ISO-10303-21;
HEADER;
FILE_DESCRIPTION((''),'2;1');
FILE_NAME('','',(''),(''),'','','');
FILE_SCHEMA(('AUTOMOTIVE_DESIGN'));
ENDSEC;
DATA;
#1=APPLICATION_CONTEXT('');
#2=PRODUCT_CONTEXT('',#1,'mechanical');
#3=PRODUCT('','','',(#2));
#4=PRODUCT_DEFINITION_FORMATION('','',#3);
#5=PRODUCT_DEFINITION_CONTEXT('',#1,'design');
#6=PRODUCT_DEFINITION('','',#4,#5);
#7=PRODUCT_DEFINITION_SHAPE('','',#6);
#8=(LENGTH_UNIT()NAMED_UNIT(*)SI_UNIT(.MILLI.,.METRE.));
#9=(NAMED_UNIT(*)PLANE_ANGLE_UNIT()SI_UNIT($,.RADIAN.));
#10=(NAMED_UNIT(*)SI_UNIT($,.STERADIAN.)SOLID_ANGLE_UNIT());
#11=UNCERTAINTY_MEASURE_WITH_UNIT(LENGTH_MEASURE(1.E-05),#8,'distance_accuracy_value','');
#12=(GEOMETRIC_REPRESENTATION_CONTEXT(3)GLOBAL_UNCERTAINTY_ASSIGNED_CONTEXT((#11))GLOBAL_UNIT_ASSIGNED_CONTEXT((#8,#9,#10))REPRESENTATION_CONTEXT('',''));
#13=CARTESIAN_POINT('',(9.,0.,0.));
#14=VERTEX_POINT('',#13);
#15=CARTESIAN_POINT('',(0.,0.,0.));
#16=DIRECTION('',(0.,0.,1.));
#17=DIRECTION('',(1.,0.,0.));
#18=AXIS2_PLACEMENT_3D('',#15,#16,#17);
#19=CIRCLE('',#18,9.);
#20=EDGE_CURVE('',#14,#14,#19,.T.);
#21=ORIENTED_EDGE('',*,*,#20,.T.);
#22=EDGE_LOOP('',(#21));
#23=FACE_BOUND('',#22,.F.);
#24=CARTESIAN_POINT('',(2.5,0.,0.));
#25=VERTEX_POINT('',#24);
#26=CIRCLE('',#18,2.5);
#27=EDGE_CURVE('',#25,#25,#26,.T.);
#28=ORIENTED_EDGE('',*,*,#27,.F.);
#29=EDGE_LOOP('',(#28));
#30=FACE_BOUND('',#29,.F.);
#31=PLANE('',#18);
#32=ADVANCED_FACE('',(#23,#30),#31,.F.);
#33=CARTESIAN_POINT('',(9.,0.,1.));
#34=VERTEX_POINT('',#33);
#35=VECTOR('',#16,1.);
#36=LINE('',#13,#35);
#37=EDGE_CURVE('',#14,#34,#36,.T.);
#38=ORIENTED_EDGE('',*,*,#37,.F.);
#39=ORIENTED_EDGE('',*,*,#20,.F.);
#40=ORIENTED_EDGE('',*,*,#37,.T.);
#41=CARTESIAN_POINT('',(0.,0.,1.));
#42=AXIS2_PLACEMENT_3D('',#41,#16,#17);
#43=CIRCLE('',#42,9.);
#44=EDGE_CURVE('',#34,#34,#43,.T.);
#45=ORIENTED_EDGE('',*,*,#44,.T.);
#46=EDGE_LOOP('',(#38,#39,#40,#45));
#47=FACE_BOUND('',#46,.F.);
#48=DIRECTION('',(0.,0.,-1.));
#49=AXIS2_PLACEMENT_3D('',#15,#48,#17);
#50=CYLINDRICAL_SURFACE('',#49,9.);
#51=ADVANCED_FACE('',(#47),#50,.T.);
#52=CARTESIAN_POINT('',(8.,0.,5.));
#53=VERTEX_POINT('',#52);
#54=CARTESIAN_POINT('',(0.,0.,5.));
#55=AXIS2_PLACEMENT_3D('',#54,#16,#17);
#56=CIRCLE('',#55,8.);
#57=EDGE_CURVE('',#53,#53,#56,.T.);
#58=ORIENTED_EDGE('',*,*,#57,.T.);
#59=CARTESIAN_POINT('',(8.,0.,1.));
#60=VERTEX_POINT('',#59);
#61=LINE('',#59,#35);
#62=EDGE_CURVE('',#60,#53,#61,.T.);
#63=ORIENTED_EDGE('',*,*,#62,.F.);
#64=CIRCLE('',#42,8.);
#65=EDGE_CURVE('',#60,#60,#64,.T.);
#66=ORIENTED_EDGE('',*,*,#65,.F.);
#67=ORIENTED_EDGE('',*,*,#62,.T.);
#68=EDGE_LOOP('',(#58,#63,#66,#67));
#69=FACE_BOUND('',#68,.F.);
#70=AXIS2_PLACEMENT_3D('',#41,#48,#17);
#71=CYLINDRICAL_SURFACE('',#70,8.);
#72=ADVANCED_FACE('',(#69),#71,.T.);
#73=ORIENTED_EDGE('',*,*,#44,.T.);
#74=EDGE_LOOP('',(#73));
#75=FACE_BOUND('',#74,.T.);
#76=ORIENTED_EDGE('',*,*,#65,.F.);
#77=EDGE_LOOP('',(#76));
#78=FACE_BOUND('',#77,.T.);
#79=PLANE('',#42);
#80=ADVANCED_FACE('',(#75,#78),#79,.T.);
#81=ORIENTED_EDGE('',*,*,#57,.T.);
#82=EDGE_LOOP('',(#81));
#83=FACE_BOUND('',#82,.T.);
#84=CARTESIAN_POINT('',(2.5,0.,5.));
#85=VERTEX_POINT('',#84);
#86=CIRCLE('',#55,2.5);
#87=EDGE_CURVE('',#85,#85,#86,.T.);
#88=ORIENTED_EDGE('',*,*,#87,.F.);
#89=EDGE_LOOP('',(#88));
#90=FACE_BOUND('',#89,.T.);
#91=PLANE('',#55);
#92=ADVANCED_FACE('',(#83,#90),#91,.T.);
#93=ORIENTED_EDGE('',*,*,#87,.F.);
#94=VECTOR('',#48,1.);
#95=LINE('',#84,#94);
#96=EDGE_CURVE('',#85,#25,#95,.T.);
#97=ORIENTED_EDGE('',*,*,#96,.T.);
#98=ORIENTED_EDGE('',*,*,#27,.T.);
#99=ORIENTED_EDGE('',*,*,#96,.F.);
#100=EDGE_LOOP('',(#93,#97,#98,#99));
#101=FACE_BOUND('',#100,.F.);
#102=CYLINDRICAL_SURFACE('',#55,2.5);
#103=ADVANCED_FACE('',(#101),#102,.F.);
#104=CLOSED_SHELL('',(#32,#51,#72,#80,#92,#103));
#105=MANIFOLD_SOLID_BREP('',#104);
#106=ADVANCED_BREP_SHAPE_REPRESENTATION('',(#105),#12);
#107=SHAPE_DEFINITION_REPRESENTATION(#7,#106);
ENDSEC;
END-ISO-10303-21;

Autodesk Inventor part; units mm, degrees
ref_plane "YZ Plane" through (0, 0, 0) normal (1, 0, 0) x (0, 1, 0)
ref_plane "XZ Plane" through (0, 0, 0) normal (0, 1, 0) x (-1, 0, 0)
ref_plane "XY Plane" through (0, 0, 0) normal (0, 0, 1) x (1, 0, 0)
sketch "Sketch1" plane through (0, 0, 0) normal (0, 0, 1) x (1, 0, 0)
  circle A0 centre (0, 0) radius 9
  dimension "d0" = 18
extrude "Extrusion1" add sketch "Sketch1" along normal blind 1
sketch "Sketch2" plane through (0, 0, 1) normal (0, 0, 1) x (1, 0, 0)
  circle A0 centre (0, 0) radius 9 projected
  circle A1 centre (0, 0) radius 8
  dimension "d4" = 16
extrude "Extrusion2" add sketch "Sketch2" along normal blind 4 contours A1
sketch "Sketch3" plane through (0, 0, 5) normal (0, 0, 1) x (1, 0, 0)
  circle A0 centre (0, 0) radius 8 projected
  circle A1 centre (0, 0) radius 2.5
  dimension "d8" = 5
extrude "Extrusion3" cut sketch "Sketch3" against normal through all contours A1
properties part number "f625"
